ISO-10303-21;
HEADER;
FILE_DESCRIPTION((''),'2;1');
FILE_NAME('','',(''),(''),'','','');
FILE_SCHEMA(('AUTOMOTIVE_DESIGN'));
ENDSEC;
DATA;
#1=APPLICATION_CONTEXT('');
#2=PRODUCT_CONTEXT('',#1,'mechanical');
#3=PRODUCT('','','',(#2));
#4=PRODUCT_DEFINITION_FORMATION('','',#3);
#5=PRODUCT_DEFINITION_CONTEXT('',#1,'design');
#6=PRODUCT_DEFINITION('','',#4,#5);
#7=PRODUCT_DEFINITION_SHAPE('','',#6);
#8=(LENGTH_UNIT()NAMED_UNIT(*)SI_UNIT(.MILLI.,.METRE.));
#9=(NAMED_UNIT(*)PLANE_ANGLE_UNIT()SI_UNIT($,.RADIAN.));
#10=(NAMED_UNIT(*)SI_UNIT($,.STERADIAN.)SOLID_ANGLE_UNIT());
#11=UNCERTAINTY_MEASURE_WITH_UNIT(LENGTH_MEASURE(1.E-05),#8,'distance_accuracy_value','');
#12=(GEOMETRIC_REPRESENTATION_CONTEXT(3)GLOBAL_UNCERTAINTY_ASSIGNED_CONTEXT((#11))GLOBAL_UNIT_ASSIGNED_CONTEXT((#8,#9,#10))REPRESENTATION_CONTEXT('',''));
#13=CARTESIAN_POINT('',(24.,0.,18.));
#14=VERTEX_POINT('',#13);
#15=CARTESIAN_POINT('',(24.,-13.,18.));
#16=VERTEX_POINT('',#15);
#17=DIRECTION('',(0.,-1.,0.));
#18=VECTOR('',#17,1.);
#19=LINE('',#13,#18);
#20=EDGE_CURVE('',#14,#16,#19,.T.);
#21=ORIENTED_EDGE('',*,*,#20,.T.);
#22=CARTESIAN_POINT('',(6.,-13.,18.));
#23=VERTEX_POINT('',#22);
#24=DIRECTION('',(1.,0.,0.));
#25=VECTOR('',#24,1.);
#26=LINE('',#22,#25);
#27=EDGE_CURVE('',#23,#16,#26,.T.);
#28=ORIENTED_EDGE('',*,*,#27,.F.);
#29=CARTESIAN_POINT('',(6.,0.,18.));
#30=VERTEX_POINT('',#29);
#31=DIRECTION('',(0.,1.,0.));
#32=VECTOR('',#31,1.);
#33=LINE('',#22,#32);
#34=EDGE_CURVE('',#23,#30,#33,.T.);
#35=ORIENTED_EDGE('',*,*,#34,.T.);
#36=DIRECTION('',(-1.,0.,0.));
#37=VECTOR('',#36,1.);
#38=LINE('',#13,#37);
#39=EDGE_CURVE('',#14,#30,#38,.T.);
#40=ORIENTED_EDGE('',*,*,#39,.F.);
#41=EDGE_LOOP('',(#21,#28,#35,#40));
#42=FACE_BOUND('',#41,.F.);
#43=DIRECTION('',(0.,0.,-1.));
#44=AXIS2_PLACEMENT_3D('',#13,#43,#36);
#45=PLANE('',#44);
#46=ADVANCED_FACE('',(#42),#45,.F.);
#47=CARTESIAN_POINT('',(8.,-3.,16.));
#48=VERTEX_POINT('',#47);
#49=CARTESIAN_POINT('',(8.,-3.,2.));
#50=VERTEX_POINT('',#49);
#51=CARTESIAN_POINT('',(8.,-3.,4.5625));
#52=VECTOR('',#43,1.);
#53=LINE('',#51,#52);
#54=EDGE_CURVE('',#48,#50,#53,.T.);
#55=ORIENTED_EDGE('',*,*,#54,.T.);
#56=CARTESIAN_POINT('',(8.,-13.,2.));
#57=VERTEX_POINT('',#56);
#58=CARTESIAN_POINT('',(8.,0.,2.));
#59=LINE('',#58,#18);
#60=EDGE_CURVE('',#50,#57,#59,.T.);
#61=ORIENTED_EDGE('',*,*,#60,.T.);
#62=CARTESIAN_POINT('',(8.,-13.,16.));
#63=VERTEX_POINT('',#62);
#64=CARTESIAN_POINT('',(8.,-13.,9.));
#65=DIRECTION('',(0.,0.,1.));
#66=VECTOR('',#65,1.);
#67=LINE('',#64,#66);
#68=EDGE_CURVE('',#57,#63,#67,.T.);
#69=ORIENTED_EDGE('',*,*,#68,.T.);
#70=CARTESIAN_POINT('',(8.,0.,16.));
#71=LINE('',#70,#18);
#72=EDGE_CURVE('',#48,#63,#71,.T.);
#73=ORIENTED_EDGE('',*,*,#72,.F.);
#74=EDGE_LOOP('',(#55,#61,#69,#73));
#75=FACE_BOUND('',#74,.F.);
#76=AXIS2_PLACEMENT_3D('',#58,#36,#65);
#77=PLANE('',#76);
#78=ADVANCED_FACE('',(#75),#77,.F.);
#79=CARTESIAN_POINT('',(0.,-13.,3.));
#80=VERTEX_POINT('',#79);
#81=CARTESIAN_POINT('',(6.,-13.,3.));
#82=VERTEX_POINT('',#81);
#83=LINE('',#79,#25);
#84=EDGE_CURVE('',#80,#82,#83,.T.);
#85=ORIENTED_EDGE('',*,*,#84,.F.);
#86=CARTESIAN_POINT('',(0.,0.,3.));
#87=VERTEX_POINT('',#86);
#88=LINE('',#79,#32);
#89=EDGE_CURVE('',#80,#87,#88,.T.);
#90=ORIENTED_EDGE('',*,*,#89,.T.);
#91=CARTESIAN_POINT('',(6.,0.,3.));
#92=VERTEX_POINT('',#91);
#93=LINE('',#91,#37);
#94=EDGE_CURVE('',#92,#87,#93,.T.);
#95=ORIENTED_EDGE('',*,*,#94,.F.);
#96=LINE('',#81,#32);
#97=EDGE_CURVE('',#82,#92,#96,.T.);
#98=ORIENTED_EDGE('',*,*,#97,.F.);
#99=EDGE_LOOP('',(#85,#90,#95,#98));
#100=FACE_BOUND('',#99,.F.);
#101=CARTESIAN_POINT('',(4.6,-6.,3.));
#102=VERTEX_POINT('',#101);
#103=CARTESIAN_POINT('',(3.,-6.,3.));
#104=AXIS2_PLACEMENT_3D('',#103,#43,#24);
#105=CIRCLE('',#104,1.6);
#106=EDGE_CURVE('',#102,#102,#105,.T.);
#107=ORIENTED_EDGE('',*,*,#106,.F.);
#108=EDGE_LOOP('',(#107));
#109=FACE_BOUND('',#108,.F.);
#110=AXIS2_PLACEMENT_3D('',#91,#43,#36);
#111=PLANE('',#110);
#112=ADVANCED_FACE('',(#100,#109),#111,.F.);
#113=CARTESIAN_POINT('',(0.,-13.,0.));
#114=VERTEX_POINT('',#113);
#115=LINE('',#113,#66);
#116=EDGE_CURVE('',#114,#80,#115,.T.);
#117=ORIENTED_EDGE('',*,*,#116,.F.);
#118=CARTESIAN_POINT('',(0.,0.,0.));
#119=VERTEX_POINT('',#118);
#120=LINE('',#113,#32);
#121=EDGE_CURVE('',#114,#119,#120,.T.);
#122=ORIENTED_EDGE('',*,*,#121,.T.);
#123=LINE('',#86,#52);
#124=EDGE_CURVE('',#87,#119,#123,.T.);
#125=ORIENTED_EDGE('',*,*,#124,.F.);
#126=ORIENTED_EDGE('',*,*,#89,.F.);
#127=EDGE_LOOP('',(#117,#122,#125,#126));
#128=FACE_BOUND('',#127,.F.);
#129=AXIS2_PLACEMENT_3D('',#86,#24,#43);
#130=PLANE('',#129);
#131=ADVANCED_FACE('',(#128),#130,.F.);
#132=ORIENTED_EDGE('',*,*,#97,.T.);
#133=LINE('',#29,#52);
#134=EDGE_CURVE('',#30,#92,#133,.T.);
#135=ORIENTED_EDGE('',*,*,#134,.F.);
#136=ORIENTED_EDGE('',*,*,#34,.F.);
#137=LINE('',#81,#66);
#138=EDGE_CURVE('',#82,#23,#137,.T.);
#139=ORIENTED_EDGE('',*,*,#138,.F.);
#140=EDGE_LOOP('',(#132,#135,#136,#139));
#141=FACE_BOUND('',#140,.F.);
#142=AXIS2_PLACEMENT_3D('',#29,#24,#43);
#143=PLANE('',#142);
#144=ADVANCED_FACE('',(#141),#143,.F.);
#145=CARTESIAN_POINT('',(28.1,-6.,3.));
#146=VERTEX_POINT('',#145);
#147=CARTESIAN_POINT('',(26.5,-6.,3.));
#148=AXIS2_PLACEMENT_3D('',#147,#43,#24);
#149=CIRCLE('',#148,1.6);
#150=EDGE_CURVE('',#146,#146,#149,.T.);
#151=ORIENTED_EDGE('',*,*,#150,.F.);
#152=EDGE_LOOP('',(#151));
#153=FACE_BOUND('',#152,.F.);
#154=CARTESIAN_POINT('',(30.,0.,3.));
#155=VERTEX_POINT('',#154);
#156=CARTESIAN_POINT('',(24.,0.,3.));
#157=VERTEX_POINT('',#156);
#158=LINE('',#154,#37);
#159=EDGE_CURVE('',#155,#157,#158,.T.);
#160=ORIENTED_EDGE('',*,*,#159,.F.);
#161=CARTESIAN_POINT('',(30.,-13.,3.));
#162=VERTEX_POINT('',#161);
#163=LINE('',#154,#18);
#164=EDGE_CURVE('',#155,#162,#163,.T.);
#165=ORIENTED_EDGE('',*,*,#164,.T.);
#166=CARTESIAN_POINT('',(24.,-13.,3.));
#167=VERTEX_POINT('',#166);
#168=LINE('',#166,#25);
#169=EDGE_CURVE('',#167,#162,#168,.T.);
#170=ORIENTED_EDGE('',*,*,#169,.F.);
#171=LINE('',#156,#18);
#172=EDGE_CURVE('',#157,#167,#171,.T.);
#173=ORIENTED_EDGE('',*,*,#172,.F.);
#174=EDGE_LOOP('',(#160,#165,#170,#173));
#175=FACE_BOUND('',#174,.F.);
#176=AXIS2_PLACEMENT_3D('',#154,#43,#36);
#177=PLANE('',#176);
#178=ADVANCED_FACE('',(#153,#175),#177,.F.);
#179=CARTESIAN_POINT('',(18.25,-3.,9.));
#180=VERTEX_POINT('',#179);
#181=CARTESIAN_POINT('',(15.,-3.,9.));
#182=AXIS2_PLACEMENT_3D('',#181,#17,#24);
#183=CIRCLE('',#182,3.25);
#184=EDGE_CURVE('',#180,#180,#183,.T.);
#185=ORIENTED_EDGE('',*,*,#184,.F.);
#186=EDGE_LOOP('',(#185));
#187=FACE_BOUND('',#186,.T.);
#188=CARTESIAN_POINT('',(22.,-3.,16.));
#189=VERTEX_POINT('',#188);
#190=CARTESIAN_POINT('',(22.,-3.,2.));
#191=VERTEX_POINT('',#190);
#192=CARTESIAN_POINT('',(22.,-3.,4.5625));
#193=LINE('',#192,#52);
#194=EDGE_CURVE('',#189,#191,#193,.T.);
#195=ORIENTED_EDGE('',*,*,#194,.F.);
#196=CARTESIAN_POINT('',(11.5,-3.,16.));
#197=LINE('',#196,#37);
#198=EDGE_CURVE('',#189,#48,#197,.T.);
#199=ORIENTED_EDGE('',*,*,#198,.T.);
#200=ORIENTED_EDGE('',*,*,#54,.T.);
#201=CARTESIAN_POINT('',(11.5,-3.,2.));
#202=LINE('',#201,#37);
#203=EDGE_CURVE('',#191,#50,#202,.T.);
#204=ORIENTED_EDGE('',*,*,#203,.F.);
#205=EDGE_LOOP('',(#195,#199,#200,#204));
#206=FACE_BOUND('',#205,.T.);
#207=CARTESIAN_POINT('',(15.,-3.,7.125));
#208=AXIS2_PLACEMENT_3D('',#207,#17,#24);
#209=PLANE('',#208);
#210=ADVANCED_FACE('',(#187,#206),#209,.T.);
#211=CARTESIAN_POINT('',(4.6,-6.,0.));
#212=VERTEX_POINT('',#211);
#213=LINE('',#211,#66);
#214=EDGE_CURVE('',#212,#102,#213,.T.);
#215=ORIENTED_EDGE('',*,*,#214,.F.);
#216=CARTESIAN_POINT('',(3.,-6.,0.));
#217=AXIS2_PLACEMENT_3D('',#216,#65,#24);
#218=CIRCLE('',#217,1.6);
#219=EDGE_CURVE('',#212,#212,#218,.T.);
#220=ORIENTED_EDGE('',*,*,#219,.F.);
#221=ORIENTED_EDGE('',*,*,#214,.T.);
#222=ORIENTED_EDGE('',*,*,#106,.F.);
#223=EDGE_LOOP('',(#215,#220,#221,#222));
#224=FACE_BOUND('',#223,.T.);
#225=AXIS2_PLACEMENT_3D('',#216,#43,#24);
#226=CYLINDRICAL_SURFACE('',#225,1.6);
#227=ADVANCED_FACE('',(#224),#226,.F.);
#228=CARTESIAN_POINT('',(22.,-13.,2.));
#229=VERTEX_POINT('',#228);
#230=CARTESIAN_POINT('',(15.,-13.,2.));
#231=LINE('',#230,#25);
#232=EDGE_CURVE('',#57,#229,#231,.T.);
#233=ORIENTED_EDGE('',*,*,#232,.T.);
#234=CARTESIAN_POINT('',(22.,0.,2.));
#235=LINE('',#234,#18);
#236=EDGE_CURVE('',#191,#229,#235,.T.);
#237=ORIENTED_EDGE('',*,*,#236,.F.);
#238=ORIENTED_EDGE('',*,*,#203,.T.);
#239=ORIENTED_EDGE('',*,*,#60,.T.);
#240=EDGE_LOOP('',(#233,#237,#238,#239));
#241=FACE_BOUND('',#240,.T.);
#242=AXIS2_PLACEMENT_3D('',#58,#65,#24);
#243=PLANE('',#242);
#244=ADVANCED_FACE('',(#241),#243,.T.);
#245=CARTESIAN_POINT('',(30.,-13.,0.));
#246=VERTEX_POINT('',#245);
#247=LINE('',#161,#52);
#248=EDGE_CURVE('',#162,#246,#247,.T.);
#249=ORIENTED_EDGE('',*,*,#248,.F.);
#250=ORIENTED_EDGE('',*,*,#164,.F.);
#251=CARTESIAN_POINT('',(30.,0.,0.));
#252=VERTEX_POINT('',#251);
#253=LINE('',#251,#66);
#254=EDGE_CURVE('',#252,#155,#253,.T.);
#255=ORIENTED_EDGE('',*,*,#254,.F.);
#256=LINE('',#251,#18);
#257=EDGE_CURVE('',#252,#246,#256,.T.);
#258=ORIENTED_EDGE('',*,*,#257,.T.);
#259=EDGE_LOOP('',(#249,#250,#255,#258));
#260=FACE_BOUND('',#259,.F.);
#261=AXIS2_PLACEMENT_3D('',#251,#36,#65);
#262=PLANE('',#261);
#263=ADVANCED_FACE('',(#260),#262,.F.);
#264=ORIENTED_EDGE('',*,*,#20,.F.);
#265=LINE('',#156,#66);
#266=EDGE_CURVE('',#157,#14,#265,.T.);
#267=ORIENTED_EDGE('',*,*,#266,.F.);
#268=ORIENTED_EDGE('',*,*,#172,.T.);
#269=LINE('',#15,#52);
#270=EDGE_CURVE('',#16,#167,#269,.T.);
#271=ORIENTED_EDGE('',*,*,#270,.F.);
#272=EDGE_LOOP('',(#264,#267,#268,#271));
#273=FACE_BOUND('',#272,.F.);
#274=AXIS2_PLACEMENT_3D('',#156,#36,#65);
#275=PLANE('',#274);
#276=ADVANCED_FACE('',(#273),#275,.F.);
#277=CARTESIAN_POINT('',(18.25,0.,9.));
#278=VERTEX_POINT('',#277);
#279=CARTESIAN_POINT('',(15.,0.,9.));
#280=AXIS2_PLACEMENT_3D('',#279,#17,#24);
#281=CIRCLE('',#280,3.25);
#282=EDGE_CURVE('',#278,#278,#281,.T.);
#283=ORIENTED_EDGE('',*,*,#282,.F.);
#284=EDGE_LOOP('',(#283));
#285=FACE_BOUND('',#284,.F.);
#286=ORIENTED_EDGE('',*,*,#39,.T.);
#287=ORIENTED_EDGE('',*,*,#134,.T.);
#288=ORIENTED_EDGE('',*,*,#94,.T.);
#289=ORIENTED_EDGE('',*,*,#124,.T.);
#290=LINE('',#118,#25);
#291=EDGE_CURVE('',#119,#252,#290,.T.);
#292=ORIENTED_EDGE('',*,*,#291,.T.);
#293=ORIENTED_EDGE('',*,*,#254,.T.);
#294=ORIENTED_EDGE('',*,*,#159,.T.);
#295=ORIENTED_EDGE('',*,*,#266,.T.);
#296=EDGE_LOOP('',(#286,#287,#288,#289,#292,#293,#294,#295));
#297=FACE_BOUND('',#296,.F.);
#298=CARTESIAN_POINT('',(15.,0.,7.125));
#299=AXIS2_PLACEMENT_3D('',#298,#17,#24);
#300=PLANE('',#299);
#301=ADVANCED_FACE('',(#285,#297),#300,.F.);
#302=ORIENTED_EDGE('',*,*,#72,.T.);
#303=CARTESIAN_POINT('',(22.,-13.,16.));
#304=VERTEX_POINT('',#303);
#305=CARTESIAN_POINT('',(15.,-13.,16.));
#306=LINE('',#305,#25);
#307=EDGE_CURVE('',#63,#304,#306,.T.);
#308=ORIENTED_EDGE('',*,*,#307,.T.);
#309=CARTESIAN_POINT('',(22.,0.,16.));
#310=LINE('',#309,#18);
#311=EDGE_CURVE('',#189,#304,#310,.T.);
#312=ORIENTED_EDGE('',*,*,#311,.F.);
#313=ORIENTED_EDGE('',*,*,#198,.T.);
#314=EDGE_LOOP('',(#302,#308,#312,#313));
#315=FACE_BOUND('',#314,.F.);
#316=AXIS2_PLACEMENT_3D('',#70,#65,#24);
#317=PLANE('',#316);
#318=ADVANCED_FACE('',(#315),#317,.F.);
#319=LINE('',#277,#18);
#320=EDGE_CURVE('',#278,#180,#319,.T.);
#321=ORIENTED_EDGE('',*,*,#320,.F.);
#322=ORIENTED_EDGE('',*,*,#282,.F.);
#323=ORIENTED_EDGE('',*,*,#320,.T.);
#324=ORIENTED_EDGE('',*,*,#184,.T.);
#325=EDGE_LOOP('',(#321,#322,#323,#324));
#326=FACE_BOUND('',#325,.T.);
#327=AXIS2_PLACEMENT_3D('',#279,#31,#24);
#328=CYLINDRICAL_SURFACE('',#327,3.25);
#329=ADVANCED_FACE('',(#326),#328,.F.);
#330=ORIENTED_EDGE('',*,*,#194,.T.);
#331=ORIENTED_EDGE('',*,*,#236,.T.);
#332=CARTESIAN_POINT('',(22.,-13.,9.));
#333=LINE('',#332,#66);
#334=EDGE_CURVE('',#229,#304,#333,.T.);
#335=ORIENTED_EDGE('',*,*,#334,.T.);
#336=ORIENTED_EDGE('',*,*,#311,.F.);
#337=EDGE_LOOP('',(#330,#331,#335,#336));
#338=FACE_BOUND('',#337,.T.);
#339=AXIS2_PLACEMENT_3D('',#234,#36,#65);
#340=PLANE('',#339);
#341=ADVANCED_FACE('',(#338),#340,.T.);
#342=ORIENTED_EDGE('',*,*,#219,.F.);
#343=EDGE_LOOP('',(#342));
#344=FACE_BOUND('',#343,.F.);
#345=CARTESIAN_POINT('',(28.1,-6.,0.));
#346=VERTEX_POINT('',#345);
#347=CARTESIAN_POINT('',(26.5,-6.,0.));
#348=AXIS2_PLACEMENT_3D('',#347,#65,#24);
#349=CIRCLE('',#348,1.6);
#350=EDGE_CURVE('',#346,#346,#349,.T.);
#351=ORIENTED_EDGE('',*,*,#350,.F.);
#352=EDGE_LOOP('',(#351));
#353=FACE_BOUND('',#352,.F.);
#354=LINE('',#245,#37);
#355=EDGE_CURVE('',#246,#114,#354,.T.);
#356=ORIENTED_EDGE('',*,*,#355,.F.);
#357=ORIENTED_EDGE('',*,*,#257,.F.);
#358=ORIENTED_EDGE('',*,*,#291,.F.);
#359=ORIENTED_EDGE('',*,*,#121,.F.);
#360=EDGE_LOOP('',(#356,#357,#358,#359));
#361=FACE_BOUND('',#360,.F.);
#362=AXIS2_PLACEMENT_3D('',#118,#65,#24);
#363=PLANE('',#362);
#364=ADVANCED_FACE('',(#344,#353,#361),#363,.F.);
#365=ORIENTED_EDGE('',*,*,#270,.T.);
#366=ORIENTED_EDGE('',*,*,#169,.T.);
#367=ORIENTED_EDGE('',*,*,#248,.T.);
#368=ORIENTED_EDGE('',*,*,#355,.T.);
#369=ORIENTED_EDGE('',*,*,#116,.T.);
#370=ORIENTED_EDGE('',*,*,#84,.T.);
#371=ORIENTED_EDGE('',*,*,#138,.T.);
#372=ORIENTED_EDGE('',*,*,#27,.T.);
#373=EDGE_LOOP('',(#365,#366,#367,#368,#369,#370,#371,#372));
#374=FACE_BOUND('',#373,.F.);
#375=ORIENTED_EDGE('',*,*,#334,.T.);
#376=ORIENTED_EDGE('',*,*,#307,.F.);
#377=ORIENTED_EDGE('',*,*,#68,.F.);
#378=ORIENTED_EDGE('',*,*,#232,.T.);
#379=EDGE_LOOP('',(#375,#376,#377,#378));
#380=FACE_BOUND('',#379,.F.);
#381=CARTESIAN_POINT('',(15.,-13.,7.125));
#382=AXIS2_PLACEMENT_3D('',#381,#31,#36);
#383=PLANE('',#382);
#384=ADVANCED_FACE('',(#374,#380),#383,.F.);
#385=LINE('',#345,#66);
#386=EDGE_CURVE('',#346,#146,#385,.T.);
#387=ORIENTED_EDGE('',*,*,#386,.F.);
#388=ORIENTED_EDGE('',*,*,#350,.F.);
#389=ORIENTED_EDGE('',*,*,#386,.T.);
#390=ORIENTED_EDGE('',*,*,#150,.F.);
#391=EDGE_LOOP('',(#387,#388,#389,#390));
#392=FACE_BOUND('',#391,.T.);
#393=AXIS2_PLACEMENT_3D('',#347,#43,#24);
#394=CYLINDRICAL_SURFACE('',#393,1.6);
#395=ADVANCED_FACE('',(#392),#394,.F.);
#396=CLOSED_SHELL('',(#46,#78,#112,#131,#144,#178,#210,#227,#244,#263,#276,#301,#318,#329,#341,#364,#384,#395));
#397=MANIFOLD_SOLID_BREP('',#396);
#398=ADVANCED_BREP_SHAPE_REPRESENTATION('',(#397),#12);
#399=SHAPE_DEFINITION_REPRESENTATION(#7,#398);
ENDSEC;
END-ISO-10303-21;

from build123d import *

# Parameters (mm, degrees)
SKETCH_R     = 3.25
PAD_DEPTH    = 3
SKETCH001_W  = 14
SKETCH001_H  = 14
PAD001_DEPTH = 13
SKETCH002_R  = 1.6
POCKET_DEPTH = 18.001


with BuildPart() as part:
    # Sketch → Pad (new body)
    with BuildSketch(Plane.XZ):
        Polygon((0, 0), (30, 0), (30, 3), (24, 3), (24, 18), (6, 18), (6, 3), (0, 3), align=None)
        with Locations((15, 9)):
            Circle(SKETCH_R, mode=Mode.SUBTRACT)
    extrude(amount=PAD_DEPTH)

    # Sketch001 → Pad001 (join)
    with BuildSketch(Plane.XZ):
        Polygon((0, 0), (0, 3), (6, 3), (6, 18), (24, 18), (24, 3), (30, 3), (30, 0), align=None)
        with Locations((15, 9)):
            Rectangle(SKETCH001_W, SKETCH001_H, mode=Mode.SUBTRACT)
    extrude(amount=PAD001_DEPTH)

    # Sketch002 → Pocket (cut, through all)
    with BuildSketch(Plane.XY):
        with Locations((3, -6)):
            Circle(SKETCH002_R)
        with Locations((26.5, -6)):
            Circle(SKETCH002_R)
    extrude(amount=POCKET_DEPTH, mode=Mode.SUBTRACT)


solid = part.part
